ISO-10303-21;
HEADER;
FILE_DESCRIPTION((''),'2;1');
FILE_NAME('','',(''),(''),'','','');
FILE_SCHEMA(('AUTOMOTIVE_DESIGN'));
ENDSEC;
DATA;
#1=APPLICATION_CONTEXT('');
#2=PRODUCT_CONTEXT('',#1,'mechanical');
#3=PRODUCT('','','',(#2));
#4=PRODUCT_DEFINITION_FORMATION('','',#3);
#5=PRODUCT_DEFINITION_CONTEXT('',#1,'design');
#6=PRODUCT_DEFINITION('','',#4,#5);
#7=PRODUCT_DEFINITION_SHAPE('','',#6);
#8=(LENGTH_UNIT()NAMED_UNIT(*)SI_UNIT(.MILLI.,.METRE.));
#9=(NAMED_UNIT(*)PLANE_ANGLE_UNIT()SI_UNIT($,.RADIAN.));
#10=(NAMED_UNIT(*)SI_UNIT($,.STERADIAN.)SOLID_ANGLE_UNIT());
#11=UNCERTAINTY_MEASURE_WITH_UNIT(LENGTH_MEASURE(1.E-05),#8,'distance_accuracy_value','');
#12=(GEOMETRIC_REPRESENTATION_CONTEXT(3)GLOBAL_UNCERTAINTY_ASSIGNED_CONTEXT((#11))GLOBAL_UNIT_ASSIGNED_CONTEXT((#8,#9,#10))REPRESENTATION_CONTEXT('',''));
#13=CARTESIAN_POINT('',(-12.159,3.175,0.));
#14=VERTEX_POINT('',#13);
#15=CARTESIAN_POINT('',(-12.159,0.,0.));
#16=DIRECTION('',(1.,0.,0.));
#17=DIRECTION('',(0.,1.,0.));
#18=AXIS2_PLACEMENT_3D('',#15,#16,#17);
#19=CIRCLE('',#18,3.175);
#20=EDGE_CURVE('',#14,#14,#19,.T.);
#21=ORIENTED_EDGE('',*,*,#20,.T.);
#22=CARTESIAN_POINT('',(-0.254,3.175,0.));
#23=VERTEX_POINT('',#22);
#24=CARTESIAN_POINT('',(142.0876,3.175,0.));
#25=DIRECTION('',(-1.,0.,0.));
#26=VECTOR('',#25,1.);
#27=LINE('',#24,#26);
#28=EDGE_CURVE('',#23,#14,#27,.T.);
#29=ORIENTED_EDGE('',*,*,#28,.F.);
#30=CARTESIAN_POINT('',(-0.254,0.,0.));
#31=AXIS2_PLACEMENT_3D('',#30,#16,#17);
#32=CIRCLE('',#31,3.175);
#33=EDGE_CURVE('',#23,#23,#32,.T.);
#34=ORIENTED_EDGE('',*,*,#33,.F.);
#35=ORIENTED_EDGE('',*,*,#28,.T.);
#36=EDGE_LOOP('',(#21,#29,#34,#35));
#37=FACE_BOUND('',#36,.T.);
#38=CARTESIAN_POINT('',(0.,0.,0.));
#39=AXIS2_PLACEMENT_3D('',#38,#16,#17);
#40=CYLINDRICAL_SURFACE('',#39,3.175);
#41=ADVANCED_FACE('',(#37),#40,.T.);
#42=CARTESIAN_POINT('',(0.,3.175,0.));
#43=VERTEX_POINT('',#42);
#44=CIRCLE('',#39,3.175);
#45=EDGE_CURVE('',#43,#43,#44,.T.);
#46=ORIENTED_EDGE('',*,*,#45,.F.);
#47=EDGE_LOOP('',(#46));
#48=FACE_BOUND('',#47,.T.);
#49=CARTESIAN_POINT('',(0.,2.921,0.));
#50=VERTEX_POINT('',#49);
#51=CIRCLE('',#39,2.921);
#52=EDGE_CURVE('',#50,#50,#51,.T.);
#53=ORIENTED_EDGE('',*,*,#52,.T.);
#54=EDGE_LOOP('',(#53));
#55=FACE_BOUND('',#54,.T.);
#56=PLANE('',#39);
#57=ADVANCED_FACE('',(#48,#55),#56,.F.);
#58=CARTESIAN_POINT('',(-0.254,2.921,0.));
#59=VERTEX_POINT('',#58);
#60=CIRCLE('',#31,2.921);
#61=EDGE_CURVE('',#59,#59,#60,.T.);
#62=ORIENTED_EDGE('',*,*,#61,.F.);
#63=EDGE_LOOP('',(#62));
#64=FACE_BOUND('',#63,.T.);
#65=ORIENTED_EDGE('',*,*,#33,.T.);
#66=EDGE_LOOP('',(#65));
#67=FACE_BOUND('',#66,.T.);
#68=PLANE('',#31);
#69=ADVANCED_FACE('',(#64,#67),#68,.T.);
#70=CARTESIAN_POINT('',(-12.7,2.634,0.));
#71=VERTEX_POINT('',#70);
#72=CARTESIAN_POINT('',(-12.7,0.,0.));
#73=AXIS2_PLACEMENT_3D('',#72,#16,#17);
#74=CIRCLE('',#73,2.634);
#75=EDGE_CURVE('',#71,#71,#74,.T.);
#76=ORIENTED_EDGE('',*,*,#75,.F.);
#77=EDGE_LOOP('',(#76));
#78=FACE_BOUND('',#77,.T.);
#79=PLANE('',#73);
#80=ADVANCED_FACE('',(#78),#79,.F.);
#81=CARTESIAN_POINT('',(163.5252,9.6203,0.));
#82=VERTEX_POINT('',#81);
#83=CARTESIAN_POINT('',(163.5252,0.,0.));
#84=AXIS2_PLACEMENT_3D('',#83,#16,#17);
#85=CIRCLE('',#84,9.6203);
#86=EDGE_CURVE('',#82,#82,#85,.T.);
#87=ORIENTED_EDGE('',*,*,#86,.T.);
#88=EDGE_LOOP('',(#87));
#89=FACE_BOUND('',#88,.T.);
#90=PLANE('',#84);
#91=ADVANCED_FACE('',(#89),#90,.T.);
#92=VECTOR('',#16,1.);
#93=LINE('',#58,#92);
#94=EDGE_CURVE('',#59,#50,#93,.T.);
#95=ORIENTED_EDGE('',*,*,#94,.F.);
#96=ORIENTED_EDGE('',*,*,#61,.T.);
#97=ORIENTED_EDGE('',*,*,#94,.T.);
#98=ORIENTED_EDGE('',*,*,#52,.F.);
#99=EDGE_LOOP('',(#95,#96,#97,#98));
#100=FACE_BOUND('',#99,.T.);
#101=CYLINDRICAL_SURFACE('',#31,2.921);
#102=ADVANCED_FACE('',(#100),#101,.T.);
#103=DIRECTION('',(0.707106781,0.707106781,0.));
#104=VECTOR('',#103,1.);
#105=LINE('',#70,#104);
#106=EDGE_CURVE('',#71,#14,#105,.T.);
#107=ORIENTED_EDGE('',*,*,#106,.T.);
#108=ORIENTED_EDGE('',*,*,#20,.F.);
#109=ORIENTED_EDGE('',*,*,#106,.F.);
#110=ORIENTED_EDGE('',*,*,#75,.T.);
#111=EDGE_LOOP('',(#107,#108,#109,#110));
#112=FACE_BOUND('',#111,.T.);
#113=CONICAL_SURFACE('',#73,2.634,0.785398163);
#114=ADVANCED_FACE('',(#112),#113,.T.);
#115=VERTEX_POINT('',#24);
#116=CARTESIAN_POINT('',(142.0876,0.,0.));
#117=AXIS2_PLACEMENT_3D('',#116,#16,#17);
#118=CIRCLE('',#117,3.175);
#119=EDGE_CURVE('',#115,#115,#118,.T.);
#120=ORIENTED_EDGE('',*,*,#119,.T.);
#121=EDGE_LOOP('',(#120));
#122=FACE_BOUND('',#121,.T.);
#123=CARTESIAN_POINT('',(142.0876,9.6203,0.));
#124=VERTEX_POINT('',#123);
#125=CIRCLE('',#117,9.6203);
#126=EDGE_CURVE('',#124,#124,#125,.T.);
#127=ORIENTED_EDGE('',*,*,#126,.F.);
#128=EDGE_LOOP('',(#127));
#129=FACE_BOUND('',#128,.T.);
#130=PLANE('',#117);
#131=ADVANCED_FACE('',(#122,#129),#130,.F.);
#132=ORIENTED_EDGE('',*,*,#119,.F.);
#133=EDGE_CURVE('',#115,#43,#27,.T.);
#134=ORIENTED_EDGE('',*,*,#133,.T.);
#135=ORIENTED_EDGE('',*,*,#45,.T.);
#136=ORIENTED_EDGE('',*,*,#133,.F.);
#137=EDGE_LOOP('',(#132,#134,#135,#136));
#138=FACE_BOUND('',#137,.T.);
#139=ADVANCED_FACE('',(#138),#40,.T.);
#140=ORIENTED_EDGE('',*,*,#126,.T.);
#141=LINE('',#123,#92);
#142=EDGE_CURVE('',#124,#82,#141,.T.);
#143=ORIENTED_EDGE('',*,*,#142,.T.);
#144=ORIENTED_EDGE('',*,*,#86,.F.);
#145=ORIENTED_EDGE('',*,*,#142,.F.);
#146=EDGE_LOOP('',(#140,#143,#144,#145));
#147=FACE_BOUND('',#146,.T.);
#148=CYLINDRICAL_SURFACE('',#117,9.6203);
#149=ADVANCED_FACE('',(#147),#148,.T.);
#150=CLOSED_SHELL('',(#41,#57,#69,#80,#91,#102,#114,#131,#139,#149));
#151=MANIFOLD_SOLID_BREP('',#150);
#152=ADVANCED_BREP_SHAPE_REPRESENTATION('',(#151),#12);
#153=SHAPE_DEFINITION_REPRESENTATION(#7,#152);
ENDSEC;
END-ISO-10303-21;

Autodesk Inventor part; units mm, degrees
sketch "Sketch_1" plane through (0, 0, 0) normal (0, 0, 1) x (1, 0, 0)
  line L0 (163.5252, 0) -> (0, 0)
  line L1 (0, 0) -> (0, 3.175)
  line L2 (0, 3.175) -> (142.0876, 3.175)
  line L3 (142.0876, 3.175) -> (142.0876, 9.6203)
  line L4 (142.0876, 9.6203) -> (163.5252, 9.6203)
  line L5 (163.5252, 9.6203) -> (163.5252, 0)
  line L6 (163.5252, 0) -> (0, 0)
revolve "Revolution1" add sketch "Sketch_1" angle 360 about axis through (163.5252, 0, 0) along (1, 0, 0)
sketch "Sketch_3" plane through (0, 0, 0) normal (0, 0, 1) x (1, 0, 0)
  line L0 (0, 0) -> (-12.7, 0)
  line L1 (-12.7, 0) -> (-12.7, 2.634)
  line L2 (-12.7, 2.634) -> (-12.159, 3.175)
  line L3 (-12.159, 3.175) -> (0, 3.175)
  line L4 (0, 3.175) -> (0, 0)
  line L5 (0, 0) -> (-12.7, 0)
revolve "Revolution2" add sketch "Sketch_3" angle 360 about axis through (0, 0, 0) along (1, 0, 0)
thread "Thread1" size "1/4-28 UNF" class "2A" standard "ANSI Unified Screw Threads" length 12.159
sketch "Sketch_30" plane through (0, 0, 0) normal (0, 0, 1) x (1, 0, 0)
  line L0 (0, 0) -> (-0.254, 0)
  line L1 (-0.254, 2.921) -> (0, 2.921)
  line L2 (0, 2.921) -> (0, 3.429)
  line L3 (0, 3.429) -> (-0.254, 3.429)
  line L4 (-0.254, 3.429) -> (-0.254, 2.921)
revolve "Revolution3" cut sketch "Sketch_30" angle 360 about axis through (0, 0, 0) along (1, 0, 0)
ref_plane "dia1_XY" through (0, 3.175, 0) normal (1, 0, 0) x (0, 0, -1)
ref_plane "dia1_YZ" through (0, 3.175, 0) normal (0, 0, -1) x (0, 1, 0)
ref_plane "dia1_ZX" through (0, 3.175, 0) normal (0, 1, 0) x (1, 0, 0)
ref_plane "dia12_XY" through (0, 0, 10.9537) normal (1, 0, 0) x (0, 0, -1)
ref_plane "dia12_YZ" through (0, 0, 10.9537) normal (0, 0, -1) x (0, 1, 0)
ref_plane "dia12_ZX" through (0, 0, 10.9537) normal (0, 1, 0) x (1, 0, 0)
ref_plane "dia2_XY" through (0, -3.175, 0) normal (1, 0, 0) x (0, 0, -1)
ref_plane "dia2_YZ" through (0, -3.175, 0) normal (0, 0, -1) x (0, 1, 0)
ref_plane "dia2_ZX" through (0, -3.175, 0) normal (0, 1, 0) x (1, 0, 0)
ref_plane "dia22_XY" through (0, 0, -10.9537) normal (1, 0, 0) x (0, 0, -1)
ref_plane "dia22_YZ" through (0, 0, -10.9537) normal (0, 0, -1) x (0, 1, 0)
ref_plane "dia22_ZX" through (0, 0, -10.9537) normal (0, 1, 0) x (1, 0, 0)
ref_plane "rl1_XY" through (-12.7, 0, 0) normal (1, 0, 0) x (0, 0, -1)
ref_plane "rl1_YZ" through (-12.7, 0, 0) normal (0, 0, -1) x (0, 1, 0)
ref_plane "rl1_ZX" through (-12.7, 0, 0) normal (0, 1, 0) x (1, 0, 0)
ref_plane "rl2_XY" through (0, 0, 0) normal (1, 0, 0) x (0, 0, -1)
ref_plane "rl2_YZ" through (0, 0, 0) normal (0, 0, -1) x (0, 1, 0)
ref_plane "rl2_ZX" through (0, 0, 0) normal (0, 1, 0) x (1, 0, 0)
ref_plane "rod_cp_XY" through (0, 0, 0) normal (1, 0, 0) x (0, 0, -1)
ref_plane "rod_cp_YZ" through (0, 0, 0) normal (0, 0, -1) x (0, 1, 0)
ref_plane "rod_cp_ZX" through (0, 0, 0) normal (0, 1, 0) x (1, 0, 0)
ref_plane "thd1_XY" through (-12.7, 3.175, 0) normal (1, 0, 0) x (0, 0, -1)
ref_plane "thd1_YZ" through (-12.7, 3.175, 0) normal (0, 0, -1) x (0, 1, 0)
ref_plane "thd1_ZX" through (-12.7, 3.175, 0) normal (0, 1, 0) x (1, 0, 0)
ref_plane "thd2_XY" through (-12.7, -3.175, 0) normal (1, 0, 0) x (0, 0, -1)
ref_plane "thd2_YZ" through (-12.7, -3.175, 0) normal (0, 0, -1) x (0, 1, 0)
ref_plane "thd2_ZX" through (-12.7, -3.175, 0) normal (0, 1, 0) x (1, 0, 0)
ref_plane "to_rod_clevis_XY" through (-16.764, 0, 0) normal (1, 0, 0) x (0, 0, -1)
ref_plane "to_rod_clevis_YZ" through (-16.764, 0, 0) normal (0, 0, -1) x (0, 1, 0)
ref_plane "to_rod_clevis_ZX" through (-16.764, 0, 0) normal (0, 1, 0) x (1, 0, 0)
properties part number "C-044-DP0_rod"
